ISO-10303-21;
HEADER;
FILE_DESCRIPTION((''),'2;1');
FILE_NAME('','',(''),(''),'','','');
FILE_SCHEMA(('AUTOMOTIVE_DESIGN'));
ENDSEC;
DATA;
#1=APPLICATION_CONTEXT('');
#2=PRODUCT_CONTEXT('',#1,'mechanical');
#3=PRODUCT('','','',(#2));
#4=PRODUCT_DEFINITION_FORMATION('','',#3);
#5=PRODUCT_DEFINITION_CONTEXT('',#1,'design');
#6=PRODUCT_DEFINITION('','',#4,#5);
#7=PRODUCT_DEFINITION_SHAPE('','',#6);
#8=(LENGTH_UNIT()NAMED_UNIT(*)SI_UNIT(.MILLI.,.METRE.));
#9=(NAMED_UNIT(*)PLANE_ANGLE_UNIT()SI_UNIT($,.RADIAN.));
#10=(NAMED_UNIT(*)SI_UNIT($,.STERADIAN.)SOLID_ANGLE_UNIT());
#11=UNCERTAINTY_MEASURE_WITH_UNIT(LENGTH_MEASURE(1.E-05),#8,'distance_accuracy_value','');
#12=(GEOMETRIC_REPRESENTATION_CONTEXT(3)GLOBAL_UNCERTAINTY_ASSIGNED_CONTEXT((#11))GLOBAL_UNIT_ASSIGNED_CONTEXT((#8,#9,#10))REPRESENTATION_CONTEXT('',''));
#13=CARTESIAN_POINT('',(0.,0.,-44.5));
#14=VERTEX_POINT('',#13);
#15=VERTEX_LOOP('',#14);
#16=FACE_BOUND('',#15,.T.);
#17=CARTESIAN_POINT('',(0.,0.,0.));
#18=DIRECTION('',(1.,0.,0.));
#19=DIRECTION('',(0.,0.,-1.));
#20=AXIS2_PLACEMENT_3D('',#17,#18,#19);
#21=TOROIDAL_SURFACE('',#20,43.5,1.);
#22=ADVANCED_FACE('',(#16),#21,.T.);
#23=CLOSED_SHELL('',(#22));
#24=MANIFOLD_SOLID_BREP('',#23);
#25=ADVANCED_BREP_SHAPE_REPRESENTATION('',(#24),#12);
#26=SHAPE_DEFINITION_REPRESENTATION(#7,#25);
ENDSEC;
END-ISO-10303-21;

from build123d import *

# Parameters (mm, degrees)
SKETCH3_R = 1


with BuildPart() as part:
    # Sketch3 → Revolve1 (revolve)
    with BuildSketch(Plane(origin=(0, 0, 0), x_dir=(-1, 0, 0), z_dir=(0, 0, -1))):
        with Locations((0, 43.5)):
            Circle(SKETCH3_R)
    revolve(axis=Axis((0, 0, 0), (-1, 0, 0)))


solid = part.part
